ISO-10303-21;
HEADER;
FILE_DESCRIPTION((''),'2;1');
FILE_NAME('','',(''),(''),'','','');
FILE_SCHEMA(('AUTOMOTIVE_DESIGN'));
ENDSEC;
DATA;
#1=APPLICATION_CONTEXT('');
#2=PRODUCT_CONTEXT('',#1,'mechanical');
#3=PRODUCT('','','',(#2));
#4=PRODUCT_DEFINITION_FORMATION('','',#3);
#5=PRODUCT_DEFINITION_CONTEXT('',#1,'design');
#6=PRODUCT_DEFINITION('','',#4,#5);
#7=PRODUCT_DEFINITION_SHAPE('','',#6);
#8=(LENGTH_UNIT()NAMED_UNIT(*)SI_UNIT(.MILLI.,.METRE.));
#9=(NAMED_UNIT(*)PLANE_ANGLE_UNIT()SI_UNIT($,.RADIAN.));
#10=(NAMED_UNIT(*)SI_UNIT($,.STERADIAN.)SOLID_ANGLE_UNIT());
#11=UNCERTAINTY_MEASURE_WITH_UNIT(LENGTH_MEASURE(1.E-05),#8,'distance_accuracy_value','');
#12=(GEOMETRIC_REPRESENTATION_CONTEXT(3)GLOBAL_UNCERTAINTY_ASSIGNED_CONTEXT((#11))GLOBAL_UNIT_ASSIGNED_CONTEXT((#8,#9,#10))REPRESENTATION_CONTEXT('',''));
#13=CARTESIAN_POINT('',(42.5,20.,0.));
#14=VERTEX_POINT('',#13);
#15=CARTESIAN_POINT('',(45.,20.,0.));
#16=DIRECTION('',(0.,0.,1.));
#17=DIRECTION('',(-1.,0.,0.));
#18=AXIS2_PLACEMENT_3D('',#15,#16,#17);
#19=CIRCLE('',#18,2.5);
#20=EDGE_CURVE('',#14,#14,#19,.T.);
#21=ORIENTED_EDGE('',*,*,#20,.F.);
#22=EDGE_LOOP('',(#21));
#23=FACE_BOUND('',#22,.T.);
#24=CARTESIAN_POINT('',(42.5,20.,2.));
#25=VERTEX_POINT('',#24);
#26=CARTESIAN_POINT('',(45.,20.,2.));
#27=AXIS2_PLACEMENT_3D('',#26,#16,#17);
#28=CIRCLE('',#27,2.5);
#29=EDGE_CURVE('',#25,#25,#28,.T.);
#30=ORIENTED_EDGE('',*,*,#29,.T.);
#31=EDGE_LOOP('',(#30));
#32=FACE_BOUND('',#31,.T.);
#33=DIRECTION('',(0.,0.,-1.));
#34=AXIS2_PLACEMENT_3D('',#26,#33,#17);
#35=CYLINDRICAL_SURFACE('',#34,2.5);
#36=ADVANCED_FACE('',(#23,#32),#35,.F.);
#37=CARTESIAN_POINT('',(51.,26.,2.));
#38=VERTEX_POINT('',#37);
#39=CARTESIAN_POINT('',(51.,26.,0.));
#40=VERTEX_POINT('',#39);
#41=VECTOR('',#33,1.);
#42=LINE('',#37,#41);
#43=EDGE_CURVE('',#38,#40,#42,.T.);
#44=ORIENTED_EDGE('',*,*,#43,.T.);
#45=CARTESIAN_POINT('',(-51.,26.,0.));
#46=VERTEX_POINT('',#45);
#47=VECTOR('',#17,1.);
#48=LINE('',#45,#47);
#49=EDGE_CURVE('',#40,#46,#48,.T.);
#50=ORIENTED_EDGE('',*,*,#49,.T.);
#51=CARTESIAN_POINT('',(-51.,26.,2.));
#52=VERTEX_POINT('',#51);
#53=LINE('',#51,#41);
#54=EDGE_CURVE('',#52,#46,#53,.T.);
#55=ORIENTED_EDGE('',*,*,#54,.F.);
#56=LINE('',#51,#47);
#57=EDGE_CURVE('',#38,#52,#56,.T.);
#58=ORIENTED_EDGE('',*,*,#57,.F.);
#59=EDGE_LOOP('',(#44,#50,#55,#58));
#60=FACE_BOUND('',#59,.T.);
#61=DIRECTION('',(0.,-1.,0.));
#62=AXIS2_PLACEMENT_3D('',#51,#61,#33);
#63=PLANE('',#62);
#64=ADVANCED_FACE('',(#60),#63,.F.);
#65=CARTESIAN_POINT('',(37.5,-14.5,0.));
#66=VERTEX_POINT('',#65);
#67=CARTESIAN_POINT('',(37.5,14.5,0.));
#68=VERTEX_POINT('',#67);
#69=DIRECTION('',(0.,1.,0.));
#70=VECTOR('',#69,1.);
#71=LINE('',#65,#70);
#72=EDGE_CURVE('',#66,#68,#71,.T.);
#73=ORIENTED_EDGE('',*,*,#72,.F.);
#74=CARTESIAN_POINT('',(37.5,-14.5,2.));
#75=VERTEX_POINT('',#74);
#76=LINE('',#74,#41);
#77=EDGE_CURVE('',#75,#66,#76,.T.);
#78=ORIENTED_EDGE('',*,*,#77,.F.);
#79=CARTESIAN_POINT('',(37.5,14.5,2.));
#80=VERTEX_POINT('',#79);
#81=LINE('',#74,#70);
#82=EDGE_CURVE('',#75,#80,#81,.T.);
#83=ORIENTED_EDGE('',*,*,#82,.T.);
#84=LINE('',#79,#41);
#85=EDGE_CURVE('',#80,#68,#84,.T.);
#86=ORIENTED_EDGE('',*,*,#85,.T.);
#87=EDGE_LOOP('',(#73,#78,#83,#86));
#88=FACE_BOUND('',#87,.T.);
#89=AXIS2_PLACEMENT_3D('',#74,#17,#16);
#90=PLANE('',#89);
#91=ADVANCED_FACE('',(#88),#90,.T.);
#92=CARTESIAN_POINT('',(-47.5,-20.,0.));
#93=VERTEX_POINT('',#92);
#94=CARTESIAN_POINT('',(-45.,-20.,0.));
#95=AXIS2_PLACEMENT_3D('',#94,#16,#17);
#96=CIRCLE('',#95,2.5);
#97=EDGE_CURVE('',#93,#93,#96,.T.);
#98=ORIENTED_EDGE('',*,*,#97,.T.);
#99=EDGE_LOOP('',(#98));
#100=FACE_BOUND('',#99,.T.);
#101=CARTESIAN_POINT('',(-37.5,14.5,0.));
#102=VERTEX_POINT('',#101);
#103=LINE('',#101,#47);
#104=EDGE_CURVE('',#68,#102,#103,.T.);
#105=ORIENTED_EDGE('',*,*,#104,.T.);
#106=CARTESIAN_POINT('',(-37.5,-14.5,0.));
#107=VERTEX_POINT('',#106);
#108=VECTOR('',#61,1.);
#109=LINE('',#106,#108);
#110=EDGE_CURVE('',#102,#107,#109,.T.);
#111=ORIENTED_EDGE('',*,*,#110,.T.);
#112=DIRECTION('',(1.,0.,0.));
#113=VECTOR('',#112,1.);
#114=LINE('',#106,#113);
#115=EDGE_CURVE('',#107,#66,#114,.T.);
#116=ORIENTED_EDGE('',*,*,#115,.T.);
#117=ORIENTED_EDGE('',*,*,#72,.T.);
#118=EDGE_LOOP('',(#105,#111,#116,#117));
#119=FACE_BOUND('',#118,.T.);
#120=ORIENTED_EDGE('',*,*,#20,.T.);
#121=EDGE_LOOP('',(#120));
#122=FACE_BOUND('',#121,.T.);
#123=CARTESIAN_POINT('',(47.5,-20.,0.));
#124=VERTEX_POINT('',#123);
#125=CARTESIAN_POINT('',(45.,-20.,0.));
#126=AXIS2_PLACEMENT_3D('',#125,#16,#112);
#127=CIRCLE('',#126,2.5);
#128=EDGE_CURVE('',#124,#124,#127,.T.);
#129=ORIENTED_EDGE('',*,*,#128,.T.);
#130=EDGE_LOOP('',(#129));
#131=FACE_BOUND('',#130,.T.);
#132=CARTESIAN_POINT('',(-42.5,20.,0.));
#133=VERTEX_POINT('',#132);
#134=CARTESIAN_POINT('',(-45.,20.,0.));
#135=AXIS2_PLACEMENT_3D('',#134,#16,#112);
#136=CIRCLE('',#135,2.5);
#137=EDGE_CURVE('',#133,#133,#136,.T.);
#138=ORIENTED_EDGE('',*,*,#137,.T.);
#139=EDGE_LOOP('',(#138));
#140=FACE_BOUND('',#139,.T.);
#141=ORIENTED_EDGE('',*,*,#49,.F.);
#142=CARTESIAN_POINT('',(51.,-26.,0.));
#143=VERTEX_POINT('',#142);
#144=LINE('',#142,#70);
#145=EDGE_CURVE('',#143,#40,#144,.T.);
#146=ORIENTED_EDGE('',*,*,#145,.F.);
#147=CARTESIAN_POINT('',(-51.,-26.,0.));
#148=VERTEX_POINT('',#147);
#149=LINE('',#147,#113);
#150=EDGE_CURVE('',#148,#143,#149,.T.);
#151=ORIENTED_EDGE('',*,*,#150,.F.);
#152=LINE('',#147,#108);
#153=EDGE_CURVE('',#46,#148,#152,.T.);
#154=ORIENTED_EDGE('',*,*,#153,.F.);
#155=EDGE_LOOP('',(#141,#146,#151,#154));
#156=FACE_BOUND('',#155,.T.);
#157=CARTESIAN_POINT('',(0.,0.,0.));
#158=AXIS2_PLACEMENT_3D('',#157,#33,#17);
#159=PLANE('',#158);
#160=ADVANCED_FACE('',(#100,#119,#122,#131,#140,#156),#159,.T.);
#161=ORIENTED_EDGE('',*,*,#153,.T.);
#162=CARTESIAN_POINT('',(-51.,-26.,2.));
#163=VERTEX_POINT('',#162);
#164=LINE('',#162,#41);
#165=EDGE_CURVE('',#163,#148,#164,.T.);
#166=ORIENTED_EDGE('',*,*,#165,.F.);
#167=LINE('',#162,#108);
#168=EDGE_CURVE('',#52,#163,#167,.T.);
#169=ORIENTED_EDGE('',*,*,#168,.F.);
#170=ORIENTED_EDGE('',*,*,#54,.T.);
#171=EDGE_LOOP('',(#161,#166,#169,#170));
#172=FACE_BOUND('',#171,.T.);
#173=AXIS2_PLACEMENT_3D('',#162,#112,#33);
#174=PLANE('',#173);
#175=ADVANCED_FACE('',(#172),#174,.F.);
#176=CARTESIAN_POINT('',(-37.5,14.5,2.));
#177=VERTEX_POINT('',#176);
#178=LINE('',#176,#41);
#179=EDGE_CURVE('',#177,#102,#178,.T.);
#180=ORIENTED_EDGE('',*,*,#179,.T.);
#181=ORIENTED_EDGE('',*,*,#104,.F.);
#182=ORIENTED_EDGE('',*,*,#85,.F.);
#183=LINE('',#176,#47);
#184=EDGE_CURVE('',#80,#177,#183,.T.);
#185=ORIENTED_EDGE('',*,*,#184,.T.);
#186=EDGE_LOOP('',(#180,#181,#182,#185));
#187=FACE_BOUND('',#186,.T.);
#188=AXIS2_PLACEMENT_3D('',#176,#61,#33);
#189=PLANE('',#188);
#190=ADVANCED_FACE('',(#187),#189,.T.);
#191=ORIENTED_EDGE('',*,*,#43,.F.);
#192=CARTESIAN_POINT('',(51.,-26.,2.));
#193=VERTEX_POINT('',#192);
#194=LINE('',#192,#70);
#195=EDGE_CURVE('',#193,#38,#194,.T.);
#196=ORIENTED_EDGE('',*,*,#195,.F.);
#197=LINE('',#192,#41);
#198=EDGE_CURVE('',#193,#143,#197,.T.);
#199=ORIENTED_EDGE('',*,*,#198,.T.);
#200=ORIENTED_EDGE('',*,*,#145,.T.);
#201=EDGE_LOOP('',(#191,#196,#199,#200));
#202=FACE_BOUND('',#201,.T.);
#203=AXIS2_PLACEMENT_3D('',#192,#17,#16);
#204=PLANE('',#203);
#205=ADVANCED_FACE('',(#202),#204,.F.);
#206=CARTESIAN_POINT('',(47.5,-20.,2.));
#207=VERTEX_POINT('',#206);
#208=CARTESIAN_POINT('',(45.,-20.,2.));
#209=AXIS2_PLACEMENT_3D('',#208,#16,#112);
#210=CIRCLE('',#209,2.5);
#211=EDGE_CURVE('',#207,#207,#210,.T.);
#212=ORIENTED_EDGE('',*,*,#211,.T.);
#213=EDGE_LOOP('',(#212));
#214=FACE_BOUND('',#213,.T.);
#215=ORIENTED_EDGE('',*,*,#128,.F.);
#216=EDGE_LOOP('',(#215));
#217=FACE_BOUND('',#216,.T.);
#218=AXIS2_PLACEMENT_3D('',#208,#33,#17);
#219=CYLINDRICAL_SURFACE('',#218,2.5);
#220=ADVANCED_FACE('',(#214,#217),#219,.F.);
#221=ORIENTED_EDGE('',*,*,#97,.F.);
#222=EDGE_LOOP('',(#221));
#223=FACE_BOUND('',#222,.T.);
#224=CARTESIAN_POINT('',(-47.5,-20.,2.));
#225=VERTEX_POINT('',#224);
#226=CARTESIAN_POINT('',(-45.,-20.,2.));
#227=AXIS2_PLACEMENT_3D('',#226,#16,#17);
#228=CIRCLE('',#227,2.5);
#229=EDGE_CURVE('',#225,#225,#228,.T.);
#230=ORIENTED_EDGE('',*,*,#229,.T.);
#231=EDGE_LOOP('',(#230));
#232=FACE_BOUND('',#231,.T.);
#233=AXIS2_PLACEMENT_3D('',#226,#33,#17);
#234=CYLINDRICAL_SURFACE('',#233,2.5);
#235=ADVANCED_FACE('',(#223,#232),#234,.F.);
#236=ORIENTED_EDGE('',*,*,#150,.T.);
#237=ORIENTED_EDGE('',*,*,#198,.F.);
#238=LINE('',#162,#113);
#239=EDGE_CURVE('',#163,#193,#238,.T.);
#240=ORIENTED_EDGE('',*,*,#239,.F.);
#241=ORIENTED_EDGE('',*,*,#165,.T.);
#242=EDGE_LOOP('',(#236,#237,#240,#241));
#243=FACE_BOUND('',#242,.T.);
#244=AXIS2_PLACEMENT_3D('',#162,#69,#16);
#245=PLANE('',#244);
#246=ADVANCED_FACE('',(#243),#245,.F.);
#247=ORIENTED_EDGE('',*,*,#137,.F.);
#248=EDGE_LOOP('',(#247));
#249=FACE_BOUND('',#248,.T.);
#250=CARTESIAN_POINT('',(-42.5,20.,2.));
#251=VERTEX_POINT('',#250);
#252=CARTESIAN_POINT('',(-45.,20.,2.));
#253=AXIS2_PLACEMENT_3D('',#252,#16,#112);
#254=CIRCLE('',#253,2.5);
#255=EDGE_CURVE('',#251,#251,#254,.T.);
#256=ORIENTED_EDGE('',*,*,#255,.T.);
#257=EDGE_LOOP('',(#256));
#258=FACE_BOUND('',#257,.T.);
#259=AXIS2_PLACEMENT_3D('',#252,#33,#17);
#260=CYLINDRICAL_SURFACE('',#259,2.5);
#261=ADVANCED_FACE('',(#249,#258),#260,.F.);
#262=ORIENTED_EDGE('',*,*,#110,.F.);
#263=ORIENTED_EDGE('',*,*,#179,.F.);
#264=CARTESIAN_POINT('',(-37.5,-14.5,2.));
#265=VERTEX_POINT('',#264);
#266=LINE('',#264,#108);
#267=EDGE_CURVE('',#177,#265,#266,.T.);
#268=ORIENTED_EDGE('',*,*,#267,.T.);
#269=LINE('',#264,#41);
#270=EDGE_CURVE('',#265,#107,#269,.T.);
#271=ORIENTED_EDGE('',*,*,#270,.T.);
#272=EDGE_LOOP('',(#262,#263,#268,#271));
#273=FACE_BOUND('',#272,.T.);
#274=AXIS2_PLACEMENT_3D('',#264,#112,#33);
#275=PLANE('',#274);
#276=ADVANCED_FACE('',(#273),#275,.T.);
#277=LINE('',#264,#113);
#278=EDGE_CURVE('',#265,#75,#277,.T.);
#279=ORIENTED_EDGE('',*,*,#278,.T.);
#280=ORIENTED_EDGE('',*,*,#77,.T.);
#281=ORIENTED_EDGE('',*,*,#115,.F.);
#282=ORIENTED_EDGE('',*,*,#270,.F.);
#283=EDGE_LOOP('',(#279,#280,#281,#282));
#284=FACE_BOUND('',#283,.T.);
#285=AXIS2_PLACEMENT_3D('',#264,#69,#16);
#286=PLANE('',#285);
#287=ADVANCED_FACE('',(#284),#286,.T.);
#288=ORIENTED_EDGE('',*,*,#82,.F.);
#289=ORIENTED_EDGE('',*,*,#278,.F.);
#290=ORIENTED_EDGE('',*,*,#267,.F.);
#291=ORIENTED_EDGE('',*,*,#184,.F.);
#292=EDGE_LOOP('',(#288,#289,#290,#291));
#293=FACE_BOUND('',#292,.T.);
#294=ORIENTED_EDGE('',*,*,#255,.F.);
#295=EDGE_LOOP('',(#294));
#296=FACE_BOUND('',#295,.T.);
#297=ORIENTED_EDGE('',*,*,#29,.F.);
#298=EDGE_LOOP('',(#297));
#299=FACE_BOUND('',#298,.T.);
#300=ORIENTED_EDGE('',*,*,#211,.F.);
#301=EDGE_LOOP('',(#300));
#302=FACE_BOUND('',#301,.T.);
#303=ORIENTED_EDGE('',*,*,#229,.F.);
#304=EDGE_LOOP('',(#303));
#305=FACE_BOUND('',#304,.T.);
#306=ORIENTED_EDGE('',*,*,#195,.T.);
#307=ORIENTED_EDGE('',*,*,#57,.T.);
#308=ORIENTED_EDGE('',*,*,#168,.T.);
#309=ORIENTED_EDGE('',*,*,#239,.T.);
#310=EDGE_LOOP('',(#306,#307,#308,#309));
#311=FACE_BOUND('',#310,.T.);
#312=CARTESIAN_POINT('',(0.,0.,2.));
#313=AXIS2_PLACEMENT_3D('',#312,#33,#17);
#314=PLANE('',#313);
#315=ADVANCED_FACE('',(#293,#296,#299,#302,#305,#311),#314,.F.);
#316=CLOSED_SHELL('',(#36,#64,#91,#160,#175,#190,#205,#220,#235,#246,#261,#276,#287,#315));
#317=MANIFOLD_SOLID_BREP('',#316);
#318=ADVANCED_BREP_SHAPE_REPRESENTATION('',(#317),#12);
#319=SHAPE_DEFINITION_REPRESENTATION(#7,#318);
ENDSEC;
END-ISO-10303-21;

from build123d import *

# Parameters (mm, degrees)
SKETCH1_W           = 102
SKETCH1_H           = 52
SKETCH1_R           = 2.5
SKETCH1_W_2         = 75
SKETCH1_H_2         = 29
BOSS_EXTRUDE2_DEPTH = 2


with BuildPart() as part:
    # Sketch1 → Boss-Extrude2 (new body)
    with BuildSketch(Plane.XY):
        Rectangle(SKETCH1_W, SKETCH1_H)
        with Locations((-45, 20)):
            Circle(SKETCH1_R, mode=Mode.SUBTRACT)
        with Locations(Location((45, 20, 0), (0, 0, 180))):
            Circle(SKETCH1_R, mode=Mode.SUBTRACT)
        with Locations((45, -20)):
            Circle(SKETCH1_R, mode=Mode.SUBTRACT)
        with Locations(Location((-45, -20, 0), (0, 0, 180))):
            Circle(SKETCH1_R, mode=Mode.SUBTRACT)
        Rectangle(SKETCH1_W_2, SKETCH1_H_2, mode=Mode.SUBTRACT)
    extrude(amount=BOSS_EXTRUDE2_DEPTH)


solid = part.part
